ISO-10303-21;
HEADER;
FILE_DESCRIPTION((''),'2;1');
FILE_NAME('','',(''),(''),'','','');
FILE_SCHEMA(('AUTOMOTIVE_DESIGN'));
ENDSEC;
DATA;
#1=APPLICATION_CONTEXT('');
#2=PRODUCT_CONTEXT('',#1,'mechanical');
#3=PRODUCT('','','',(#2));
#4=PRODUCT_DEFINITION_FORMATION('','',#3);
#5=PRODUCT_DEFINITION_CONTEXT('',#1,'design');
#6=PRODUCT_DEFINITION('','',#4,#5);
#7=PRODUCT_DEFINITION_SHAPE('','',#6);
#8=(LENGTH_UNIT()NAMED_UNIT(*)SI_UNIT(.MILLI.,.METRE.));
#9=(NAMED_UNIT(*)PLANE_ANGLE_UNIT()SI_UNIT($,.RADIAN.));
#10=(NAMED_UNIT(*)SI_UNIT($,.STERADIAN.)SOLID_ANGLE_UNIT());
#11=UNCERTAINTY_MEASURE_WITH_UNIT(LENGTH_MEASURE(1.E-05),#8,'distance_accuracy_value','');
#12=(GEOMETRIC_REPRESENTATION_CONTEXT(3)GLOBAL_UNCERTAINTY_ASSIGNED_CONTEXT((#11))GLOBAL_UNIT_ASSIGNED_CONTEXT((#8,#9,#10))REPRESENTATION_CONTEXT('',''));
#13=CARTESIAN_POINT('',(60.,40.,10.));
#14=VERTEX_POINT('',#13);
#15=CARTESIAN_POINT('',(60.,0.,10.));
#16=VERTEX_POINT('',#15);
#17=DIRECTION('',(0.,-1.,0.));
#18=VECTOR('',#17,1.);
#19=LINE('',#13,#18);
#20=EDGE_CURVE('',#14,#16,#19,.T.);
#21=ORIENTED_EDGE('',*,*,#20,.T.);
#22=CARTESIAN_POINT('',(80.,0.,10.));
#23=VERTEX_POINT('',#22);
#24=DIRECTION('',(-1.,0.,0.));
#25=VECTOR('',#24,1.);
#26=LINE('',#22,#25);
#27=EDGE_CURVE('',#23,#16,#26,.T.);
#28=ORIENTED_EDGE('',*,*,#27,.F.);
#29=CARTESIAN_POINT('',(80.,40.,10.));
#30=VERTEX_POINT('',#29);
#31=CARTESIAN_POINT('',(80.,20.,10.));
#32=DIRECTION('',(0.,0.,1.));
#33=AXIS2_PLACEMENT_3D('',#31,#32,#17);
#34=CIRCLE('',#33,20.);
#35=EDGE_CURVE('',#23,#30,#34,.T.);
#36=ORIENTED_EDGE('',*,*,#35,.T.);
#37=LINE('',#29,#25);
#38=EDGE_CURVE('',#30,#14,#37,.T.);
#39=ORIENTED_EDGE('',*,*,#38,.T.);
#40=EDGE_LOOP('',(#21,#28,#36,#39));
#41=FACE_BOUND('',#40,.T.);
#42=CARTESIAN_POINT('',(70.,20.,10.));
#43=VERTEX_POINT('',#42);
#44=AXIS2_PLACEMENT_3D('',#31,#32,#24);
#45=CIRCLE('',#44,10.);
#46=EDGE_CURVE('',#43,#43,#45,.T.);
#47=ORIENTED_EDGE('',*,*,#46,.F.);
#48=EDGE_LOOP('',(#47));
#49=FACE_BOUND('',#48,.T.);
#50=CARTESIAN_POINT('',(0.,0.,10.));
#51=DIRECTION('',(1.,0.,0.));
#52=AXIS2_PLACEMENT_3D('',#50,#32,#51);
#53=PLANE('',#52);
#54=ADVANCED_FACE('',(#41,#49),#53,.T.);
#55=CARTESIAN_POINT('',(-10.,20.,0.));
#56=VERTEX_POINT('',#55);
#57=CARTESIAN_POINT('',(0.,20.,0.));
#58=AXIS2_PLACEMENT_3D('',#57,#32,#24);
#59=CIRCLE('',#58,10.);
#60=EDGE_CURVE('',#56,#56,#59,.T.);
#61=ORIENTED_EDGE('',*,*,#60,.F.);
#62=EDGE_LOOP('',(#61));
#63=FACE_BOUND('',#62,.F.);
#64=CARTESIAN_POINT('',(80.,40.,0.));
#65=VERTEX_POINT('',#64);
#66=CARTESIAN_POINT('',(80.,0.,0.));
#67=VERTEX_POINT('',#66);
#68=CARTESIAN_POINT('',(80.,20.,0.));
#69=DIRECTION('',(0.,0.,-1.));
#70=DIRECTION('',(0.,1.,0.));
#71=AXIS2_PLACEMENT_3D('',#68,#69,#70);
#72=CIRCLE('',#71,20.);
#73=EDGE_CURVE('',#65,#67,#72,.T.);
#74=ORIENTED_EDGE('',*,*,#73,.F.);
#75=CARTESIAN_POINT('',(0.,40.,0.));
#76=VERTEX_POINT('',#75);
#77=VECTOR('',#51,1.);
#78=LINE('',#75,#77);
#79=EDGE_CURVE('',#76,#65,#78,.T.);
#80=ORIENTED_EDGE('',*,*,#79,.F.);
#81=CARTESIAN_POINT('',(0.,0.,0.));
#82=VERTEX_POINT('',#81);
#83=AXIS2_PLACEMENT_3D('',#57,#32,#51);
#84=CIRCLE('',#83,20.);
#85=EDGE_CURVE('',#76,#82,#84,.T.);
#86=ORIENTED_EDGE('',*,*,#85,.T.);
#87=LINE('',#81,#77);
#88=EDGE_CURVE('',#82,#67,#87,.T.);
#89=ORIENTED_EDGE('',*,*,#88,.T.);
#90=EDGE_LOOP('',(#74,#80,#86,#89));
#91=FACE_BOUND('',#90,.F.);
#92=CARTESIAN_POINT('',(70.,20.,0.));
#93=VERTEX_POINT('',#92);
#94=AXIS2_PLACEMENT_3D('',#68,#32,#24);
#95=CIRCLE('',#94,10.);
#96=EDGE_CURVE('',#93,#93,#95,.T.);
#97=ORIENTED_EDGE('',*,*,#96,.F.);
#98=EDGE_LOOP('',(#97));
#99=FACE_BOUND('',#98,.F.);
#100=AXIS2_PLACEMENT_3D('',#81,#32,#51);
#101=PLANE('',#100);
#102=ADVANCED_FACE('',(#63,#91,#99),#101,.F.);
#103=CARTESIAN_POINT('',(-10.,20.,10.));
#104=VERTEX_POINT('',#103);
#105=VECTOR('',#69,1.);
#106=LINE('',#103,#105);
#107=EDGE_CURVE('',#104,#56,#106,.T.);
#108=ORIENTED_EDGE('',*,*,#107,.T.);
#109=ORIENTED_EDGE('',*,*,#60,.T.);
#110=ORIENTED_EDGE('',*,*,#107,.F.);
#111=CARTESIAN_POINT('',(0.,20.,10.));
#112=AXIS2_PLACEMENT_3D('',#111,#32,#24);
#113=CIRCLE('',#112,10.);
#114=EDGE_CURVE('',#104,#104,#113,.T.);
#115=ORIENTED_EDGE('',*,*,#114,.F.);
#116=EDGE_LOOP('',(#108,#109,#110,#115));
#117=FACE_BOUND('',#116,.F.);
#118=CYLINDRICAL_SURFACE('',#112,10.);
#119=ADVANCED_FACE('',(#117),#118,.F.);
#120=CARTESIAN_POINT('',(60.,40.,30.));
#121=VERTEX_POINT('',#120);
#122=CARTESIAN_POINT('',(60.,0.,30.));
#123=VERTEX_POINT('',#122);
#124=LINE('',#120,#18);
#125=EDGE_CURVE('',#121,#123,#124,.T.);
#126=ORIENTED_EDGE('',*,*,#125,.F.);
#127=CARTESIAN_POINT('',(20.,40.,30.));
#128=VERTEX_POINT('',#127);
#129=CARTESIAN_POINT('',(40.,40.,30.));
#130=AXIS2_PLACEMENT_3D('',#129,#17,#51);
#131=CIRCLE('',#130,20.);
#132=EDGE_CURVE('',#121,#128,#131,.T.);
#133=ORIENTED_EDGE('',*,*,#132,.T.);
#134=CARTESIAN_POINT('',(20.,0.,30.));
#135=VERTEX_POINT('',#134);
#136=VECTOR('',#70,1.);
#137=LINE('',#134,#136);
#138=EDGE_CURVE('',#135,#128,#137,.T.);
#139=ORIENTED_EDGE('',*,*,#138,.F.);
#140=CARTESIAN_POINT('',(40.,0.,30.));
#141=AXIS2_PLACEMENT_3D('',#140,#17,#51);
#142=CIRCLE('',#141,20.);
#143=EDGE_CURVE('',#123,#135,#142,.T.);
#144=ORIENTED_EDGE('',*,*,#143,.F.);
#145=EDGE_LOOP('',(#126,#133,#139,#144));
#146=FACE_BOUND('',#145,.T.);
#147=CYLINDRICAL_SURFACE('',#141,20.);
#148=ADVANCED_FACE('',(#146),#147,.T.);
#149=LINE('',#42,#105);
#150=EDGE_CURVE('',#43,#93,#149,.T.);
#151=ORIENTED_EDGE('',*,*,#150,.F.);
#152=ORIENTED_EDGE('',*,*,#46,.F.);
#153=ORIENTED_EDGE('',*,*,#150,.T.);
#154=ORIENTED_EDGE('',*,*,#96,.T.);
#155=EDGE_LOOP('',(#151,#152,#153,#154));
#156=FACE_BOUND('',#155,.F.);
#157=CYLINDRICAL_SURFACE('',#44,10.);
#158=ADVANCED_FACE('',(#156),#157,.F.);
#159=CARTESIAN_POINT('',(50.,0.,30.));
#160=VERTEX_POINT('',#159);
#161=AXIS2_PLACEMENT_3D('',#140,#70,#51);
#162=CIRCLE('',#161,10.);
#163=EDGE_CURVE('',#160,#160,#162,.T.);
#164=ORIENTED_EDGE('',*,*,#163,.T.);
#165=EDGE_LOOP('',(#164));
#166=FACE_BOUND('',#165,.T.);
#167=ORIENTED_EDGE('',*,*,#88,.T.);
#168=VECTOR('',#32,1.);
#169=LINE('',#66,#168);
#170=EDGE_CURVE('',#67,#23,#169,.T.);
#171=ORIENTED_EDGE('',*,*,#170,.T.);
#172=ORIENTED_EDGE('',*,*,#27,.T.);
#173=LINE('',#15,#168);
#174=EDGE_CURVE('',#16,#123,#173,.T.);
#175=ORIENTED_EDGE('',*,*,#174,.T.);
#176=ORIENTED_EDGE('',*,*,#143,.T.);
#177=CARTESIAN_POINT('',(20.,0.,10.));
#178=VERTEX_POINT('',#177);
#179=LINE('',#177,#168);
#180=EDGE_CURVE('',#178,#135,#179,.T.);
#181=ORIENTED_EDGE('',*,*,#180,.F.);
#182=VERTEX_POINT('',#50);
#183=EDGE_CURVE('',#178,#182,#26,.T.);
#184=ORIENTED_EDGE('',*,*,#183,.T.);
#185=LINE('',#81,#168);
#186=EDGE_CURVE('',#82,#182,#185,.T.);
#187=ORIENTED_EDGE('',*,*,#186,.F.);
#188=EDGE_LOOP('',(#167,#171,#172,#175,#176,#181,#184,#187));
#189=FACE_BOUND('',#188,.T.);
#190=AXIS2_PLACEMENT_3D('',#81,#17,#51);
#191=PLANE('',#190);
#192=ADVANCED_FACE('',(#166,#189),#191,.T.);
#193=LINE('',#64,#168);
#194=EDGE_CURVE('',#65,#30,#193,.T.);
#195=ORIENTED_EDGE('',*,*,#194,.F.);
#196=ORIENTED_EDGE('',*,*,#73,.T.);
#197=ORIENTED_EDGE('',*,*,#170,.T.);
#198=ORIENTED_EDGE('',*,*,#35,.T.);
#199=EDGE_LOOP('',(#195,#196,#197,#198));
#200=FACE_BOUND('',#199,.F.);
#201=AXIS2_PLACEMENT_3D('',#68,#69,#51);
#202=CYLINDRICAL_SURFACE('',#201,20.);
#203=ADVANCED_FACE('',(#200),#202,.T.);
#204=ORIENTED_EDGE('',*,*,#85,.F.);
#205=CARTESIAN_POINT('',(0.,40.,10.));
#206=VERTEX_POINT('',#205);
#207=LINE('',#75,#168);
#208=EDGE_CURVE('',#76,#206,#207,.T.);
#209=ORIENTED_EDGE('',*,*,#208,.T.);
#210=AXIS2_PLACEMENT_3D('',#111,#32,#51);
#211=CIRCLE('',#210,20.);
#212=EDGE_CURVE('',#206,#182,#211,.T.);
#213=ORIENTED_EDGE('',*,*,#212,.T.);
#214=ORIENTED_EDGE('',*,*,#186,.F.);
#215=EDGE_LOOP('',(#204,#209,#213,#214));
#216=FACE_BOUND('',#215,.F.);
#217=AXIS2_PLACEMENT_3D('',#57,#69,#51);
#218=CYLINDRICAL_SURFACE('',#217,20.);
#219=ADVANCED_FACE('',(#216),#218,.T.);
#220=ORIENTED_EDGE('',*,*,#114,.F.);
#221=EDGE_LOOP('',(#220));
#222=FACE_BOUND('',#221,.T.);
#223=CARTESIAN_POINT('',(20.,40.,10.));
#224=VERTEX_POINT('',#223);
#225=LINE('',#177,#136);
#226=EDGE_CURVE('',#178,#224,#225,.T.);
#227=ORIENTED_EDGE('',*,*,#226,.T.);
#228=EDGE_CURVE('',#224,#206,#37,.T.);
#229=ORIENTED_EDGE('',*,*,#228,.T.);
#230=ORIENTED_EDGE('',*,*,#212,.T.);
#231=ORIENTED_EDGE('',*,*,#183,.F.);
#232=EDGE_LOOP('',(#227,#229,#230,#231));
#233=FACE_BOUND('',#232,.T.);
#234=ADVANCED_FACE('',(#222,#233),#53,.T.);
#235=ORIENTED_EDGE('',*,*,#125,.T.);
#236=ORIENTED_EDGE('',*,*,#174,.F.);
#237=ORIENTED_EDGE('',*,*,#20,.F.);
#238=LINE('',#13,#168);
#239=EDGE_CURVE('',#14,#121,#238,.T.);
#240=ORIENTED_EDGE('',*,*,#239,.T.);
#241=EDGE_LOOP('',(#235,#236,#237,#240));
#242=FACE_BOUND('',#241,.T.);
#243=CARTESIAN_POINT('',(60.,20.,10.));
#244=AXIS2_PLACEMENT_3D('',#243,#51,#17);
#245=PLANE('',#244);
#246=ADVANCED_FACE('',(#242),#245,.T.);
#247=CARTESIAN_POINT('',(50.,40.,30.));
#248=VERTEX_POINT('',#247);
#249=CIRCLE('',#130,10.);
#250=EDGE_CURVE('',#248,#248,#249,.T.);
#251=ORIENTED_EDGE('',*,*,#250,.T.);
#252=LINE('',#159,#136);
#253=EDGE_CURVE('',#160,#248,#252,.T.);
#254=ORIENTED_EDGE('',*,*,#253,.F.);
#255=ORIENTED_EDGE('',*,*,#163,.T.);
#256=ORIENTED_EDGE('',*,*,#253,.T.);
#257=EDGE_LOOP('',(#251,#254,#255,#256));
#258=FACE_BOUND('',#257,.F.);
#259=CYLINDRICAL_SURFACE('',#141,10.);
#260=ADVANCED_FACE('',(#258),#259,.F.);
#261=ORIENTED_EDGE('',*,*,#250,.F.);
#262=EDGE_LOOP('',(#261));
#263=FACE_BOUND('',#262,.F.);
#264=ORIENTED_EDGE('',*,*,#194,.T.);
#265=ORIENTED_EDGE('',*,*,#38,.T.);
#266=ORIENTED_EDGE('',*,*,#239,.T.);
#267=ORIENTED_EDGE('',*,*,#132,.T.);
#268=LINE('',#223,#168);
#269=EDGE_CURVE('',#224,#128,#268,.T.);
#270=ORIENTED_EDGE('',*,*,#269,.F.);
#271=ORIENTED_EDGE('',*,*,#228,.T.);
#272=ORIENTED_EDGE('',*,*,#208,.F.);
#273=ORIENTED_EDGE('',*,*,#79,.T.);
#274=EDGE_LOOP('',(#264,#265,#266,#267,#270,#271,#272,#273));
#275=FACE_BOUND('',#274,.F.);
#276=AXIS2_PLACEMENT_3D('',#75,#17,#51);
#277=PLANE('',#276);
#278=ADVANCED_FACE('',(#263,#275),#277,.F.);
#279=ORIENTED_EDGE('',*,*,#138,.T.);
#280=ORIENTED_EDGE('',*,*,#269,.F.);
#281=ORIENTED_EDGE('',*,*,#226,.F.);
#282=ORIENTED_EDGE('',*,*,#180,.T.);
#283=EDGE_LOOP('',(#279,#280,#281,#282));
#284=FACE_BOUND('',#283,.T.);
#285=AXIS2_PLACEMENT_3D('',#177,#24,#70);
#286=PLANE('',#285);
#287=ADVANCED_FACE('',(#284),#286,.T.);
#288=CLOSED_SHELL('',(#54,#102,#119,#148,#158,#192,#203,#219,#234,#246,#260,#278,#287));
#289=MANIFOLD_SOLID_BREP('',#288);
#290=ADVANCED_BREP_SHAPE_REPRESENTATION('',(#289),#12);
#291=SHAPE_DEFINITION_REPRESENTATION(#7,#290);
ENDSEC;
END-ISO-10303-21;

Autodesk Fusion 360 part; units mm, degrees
sketch "Body" plane through (0, 0, 0) normal (0, 0, 1) x (1, 0, 0)
  line L0 (0, 0) -> (80, 0)
  line L1 (80, 0) -> (80, 40)
  line L2 (80, 40) -> (0, 40)
  line L3 (0, 40) -> (0, 0)
  circle A0 centre (0, 20) radius 20
  circle A1 centre (80, 20) radius 20
  line L4 (60, 0) -> (20, 0)
  line L5 (20, 0) -> (20, 40)
  line L6 (20, 40) -> (60, 40)
  line L7 (60, 40) -> (60, 0)
  circle A2 centre (0, 20) radius 10
  circle A3 centre (80, 20) radius 10
  line L8 (40, 40) -> (40, 0) construction
  dimension "d1" = 80
  dimension "d2" = 40
extrude "Extrude1" add sketch "Body" along normal blind 10
sketch "Circles" plane through (0, 0, 10) normal (0, 0, 1) x (-1, 0, 0)
  arc A0 (0, -40) -> (0, 0) centre (0, -20) ccw
  line L0 (0, 0) -> (-80, 0)
  arc A1 (-80, 0) -> (-80, -40) centre (-80, -20) ccw
  line L1 (-80, -40) -> (0, -40)
  circle A2 centre (-80, -20) radius 20
  circle A3 centre (0, -20) radius 20
  circle A4 centre (0, -20) radius 10
  circle A5 centre (-80, -20) radius 10
  line L2 (-60, 0) -> (-20, 0)
  line L3 (-20, 0) -> (-20, -40)
  line L4 (-20, -40) -> (-60, -40)
  line L5 (-60, -40) -> (-60, 0)
extrude "Extrude3" add sketch "Circles" along normal blind 20 contours L0 L1 L2 L3 L4 L5
extrude "Extrude2" cut sketch "Circles" against normal blind 10 contours A4 | A5
sketch "Circles Top" plane through (0, 0, 0) normal (0, -1, 0) x (1, 0, 0)
  line L0 (0, 0) -> (80, 0)
  line L1 (80, 0) -> (80, 10)
  line L2 (80, 10) -> (60, 10)
  line L3 (60, 10) -> (60, 30)
  line L4 (60, 30) -> (20, 30)
  line L5 (20, 30) -> (20, 10)
  line L6 (20, 10) -> (0, 10)
  line L7 (0, 10) -> (0, 0)
  circle A0 centre (40, 30) radius 20
  circle A1 centre (40, 30) radius 10
extrude "Extrude5" cut sketch "Circles Top" against normal blind 40 contours L4 A1 picked at (40.2491, 26.676)
extrude "Extrude4" add sketch "Circles Top" against normal blind 40 contours L4 A0 A1 picked at (28.5129, 42.0139)
